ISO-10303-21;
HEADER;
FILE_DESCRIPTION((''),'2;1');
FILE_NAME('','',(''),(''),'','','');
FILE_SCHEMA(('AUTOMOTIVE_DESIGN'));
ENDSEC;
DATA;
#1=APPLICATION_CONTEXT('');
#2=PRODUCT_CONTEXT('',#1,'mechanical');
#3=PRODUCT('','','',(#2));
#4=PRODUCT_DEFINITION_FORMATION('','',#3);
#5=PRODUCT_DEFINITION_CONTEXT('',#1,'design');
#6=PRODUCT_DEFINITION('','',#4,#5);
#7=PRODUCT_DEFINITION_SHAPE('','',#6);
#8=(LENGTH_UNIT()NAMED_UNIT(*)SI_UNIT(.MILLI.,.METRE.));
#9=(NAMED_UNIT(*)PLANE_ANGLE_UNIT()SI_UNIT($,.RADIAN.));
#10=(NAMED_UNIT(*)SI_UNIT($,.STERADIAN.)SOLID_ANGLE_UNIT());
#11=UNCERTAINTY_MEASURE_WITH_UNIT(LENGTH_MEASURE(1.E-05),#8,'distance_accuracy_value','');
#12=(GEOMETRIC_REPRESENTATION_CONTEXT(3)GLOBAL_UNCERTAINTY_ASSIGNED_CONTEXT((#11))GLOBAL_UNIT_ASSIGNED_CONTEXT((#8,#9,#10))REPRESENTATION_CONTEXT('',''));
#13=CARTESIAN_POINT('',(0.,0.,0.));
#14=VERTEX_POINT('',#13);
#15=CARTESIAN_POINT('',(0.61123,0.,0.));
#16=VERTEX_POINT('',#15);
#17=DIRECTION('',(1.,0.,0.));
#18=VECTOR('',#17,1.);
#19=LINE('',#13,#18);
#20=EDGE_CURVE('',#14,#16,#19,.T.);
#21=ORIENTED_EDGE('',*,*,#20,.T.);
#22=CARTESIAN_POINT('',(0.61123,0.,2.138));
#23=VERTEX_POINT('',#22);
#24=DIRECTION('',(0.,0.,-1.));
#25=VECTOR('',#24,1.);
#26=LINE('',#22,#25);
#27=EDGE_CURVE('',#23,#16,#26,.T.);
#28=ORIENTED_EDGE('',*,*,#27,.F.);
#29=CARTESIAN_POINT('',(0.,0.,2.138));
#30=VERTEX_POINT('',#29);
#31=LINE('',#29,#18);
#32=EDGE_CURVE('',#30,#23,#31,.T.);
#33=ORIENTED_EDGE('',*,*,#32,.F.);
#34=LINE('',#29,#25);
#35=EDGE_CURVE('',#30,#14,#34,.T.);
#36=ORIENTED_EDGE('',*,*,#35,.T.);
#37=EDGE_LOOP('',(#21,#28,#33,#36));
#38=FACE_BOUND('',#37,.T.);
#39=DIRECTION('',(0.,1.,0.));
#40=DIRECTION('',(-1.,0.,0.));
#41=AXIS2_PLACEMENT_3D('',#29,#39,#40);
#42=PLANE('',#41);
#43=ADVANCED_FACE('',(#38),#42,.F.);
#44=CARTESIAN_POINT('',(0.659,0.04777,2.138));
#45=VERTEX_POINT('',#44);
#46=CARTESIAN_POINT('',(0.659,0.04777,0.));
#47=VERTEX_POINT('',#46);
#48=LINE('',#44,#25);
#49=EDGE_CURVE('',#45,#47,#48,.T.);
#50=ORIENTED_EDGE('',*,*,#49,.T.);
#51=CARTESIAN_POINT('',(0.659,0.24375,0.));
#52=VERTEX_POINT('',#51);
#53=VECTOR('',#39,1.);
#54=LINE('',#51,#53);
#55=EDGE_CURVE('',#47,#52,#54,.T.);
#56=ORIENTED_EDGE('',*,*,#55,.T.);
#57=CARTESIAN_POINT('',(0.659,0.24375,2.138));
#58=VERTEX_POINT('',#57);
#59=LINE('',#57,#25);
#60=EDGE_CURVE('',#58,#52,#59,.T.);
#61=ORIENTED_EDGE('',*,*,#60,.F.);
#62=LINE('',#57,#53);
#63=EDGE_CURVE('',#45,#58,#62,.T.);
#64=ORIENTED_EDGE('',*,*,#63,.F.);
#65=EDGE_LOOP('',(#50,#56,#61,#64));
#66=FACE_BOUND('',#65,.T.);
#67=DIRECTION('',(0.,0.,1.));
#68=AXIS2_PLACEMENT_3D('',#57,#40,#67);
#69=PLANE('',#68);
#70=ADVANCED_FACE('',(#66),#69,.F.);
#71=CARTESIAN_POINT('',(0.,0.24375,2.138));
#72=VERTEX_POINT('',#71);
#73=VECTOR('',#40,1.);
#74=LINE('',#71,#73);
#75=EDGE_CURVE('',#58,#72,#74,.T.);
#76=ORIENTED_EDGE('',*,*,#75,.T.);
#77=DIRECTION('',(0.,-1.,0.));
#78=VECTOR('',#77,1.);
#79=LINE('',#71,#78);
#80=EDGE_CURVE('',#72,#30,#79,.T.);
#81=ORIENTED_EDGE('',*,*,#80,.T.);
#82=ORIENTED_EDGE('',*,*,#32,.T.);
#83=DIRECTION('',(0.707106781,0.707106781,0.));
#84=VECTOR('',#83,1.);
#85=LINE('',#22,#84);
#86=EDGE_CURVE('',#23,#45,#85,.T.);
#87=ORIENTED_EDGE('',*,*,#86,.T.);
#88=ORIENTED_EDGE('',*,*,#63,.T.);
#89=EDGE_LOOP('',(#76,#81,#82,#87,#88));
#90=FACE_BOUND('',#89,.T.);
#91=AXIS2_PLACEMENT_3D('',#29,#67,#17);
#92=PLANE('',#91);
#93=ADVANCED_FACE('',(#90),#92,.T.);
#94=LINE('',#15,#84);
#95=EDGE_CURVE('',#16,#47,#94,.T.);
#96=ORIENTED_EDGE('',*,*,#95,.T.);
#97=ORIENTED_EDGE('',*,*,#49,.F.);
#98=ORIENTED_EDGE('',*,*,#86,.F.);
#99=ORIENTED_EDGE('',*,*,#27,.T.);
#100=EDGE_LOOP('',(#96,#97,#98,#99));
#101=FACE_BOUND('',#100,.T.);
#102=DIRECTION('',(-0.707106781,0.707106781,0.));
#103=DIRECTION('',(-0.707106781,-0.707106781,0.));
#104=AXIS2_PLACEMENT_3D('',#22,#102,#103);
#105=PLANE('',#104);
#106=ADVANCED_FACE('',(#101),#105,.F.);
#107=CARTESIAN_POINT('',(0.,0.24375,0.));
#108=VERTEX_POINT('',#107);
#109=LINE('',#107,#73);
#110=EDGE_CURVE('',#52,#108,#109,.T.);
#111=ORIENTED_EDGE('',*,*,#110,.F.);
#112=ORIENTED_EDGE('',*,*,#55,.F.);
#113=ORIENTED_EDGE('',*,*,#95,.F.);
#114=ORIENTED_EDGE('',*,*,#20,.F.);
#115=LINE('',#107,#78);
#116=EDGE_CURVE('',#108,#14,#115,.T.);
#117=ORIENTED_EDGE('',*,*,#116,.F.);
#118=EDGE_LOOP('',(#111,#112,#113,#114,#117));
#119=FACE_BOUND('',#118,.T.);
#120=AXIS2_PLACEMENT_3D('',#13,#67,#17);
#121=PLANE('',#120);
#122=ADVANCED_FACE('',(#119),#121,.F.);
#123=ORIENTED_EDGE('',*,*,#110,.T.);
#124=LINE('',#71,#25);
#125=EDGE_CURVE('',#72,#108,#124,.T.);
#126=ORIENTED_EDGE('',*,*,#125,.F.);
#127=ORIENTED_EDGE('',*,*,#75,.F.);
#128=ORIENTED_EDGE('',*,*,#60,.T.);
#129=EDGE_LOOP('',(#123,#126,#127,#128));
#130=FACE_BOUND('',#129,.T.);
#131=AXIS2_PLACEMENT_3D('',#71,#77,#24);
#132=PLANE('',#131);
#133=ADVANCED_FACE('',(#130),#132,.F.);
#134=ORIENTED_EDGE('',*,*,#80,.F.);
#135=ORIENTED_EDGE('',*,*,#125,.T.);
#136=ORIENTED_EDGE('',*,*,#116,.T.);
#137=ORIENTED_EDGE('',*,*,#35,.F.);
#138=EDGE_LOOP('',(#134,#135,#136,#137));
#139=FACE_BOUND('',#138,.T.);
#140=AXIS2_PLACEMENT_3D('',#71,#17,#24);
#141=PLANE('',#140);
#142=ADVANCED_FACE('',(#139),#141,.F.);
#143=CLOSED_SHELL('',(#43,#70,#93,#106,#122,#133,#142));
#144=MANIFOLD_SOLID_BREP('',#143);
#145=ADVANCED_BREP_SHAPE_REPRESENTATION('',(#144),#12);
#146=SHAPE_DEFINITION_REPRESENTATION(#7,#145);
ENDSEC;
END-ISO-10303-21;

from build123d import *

# Parameters (mm, degrees)
BOSS_EXTRUDE1_DEPTH = 2.138


with BuildPart() as part:
    # Sketch1 → Boss-Extrude1 (new body)
    with BuildSketch(Plane.XY):
        Polygon((0, 0), (0.61123, 0), (0.659, 0.04777), (0.659, 0.24375), (0, 0.24375), align=None)
    extrude(amount=BOSS_EXTRUDE1_DEPTH)


solid = part.part
